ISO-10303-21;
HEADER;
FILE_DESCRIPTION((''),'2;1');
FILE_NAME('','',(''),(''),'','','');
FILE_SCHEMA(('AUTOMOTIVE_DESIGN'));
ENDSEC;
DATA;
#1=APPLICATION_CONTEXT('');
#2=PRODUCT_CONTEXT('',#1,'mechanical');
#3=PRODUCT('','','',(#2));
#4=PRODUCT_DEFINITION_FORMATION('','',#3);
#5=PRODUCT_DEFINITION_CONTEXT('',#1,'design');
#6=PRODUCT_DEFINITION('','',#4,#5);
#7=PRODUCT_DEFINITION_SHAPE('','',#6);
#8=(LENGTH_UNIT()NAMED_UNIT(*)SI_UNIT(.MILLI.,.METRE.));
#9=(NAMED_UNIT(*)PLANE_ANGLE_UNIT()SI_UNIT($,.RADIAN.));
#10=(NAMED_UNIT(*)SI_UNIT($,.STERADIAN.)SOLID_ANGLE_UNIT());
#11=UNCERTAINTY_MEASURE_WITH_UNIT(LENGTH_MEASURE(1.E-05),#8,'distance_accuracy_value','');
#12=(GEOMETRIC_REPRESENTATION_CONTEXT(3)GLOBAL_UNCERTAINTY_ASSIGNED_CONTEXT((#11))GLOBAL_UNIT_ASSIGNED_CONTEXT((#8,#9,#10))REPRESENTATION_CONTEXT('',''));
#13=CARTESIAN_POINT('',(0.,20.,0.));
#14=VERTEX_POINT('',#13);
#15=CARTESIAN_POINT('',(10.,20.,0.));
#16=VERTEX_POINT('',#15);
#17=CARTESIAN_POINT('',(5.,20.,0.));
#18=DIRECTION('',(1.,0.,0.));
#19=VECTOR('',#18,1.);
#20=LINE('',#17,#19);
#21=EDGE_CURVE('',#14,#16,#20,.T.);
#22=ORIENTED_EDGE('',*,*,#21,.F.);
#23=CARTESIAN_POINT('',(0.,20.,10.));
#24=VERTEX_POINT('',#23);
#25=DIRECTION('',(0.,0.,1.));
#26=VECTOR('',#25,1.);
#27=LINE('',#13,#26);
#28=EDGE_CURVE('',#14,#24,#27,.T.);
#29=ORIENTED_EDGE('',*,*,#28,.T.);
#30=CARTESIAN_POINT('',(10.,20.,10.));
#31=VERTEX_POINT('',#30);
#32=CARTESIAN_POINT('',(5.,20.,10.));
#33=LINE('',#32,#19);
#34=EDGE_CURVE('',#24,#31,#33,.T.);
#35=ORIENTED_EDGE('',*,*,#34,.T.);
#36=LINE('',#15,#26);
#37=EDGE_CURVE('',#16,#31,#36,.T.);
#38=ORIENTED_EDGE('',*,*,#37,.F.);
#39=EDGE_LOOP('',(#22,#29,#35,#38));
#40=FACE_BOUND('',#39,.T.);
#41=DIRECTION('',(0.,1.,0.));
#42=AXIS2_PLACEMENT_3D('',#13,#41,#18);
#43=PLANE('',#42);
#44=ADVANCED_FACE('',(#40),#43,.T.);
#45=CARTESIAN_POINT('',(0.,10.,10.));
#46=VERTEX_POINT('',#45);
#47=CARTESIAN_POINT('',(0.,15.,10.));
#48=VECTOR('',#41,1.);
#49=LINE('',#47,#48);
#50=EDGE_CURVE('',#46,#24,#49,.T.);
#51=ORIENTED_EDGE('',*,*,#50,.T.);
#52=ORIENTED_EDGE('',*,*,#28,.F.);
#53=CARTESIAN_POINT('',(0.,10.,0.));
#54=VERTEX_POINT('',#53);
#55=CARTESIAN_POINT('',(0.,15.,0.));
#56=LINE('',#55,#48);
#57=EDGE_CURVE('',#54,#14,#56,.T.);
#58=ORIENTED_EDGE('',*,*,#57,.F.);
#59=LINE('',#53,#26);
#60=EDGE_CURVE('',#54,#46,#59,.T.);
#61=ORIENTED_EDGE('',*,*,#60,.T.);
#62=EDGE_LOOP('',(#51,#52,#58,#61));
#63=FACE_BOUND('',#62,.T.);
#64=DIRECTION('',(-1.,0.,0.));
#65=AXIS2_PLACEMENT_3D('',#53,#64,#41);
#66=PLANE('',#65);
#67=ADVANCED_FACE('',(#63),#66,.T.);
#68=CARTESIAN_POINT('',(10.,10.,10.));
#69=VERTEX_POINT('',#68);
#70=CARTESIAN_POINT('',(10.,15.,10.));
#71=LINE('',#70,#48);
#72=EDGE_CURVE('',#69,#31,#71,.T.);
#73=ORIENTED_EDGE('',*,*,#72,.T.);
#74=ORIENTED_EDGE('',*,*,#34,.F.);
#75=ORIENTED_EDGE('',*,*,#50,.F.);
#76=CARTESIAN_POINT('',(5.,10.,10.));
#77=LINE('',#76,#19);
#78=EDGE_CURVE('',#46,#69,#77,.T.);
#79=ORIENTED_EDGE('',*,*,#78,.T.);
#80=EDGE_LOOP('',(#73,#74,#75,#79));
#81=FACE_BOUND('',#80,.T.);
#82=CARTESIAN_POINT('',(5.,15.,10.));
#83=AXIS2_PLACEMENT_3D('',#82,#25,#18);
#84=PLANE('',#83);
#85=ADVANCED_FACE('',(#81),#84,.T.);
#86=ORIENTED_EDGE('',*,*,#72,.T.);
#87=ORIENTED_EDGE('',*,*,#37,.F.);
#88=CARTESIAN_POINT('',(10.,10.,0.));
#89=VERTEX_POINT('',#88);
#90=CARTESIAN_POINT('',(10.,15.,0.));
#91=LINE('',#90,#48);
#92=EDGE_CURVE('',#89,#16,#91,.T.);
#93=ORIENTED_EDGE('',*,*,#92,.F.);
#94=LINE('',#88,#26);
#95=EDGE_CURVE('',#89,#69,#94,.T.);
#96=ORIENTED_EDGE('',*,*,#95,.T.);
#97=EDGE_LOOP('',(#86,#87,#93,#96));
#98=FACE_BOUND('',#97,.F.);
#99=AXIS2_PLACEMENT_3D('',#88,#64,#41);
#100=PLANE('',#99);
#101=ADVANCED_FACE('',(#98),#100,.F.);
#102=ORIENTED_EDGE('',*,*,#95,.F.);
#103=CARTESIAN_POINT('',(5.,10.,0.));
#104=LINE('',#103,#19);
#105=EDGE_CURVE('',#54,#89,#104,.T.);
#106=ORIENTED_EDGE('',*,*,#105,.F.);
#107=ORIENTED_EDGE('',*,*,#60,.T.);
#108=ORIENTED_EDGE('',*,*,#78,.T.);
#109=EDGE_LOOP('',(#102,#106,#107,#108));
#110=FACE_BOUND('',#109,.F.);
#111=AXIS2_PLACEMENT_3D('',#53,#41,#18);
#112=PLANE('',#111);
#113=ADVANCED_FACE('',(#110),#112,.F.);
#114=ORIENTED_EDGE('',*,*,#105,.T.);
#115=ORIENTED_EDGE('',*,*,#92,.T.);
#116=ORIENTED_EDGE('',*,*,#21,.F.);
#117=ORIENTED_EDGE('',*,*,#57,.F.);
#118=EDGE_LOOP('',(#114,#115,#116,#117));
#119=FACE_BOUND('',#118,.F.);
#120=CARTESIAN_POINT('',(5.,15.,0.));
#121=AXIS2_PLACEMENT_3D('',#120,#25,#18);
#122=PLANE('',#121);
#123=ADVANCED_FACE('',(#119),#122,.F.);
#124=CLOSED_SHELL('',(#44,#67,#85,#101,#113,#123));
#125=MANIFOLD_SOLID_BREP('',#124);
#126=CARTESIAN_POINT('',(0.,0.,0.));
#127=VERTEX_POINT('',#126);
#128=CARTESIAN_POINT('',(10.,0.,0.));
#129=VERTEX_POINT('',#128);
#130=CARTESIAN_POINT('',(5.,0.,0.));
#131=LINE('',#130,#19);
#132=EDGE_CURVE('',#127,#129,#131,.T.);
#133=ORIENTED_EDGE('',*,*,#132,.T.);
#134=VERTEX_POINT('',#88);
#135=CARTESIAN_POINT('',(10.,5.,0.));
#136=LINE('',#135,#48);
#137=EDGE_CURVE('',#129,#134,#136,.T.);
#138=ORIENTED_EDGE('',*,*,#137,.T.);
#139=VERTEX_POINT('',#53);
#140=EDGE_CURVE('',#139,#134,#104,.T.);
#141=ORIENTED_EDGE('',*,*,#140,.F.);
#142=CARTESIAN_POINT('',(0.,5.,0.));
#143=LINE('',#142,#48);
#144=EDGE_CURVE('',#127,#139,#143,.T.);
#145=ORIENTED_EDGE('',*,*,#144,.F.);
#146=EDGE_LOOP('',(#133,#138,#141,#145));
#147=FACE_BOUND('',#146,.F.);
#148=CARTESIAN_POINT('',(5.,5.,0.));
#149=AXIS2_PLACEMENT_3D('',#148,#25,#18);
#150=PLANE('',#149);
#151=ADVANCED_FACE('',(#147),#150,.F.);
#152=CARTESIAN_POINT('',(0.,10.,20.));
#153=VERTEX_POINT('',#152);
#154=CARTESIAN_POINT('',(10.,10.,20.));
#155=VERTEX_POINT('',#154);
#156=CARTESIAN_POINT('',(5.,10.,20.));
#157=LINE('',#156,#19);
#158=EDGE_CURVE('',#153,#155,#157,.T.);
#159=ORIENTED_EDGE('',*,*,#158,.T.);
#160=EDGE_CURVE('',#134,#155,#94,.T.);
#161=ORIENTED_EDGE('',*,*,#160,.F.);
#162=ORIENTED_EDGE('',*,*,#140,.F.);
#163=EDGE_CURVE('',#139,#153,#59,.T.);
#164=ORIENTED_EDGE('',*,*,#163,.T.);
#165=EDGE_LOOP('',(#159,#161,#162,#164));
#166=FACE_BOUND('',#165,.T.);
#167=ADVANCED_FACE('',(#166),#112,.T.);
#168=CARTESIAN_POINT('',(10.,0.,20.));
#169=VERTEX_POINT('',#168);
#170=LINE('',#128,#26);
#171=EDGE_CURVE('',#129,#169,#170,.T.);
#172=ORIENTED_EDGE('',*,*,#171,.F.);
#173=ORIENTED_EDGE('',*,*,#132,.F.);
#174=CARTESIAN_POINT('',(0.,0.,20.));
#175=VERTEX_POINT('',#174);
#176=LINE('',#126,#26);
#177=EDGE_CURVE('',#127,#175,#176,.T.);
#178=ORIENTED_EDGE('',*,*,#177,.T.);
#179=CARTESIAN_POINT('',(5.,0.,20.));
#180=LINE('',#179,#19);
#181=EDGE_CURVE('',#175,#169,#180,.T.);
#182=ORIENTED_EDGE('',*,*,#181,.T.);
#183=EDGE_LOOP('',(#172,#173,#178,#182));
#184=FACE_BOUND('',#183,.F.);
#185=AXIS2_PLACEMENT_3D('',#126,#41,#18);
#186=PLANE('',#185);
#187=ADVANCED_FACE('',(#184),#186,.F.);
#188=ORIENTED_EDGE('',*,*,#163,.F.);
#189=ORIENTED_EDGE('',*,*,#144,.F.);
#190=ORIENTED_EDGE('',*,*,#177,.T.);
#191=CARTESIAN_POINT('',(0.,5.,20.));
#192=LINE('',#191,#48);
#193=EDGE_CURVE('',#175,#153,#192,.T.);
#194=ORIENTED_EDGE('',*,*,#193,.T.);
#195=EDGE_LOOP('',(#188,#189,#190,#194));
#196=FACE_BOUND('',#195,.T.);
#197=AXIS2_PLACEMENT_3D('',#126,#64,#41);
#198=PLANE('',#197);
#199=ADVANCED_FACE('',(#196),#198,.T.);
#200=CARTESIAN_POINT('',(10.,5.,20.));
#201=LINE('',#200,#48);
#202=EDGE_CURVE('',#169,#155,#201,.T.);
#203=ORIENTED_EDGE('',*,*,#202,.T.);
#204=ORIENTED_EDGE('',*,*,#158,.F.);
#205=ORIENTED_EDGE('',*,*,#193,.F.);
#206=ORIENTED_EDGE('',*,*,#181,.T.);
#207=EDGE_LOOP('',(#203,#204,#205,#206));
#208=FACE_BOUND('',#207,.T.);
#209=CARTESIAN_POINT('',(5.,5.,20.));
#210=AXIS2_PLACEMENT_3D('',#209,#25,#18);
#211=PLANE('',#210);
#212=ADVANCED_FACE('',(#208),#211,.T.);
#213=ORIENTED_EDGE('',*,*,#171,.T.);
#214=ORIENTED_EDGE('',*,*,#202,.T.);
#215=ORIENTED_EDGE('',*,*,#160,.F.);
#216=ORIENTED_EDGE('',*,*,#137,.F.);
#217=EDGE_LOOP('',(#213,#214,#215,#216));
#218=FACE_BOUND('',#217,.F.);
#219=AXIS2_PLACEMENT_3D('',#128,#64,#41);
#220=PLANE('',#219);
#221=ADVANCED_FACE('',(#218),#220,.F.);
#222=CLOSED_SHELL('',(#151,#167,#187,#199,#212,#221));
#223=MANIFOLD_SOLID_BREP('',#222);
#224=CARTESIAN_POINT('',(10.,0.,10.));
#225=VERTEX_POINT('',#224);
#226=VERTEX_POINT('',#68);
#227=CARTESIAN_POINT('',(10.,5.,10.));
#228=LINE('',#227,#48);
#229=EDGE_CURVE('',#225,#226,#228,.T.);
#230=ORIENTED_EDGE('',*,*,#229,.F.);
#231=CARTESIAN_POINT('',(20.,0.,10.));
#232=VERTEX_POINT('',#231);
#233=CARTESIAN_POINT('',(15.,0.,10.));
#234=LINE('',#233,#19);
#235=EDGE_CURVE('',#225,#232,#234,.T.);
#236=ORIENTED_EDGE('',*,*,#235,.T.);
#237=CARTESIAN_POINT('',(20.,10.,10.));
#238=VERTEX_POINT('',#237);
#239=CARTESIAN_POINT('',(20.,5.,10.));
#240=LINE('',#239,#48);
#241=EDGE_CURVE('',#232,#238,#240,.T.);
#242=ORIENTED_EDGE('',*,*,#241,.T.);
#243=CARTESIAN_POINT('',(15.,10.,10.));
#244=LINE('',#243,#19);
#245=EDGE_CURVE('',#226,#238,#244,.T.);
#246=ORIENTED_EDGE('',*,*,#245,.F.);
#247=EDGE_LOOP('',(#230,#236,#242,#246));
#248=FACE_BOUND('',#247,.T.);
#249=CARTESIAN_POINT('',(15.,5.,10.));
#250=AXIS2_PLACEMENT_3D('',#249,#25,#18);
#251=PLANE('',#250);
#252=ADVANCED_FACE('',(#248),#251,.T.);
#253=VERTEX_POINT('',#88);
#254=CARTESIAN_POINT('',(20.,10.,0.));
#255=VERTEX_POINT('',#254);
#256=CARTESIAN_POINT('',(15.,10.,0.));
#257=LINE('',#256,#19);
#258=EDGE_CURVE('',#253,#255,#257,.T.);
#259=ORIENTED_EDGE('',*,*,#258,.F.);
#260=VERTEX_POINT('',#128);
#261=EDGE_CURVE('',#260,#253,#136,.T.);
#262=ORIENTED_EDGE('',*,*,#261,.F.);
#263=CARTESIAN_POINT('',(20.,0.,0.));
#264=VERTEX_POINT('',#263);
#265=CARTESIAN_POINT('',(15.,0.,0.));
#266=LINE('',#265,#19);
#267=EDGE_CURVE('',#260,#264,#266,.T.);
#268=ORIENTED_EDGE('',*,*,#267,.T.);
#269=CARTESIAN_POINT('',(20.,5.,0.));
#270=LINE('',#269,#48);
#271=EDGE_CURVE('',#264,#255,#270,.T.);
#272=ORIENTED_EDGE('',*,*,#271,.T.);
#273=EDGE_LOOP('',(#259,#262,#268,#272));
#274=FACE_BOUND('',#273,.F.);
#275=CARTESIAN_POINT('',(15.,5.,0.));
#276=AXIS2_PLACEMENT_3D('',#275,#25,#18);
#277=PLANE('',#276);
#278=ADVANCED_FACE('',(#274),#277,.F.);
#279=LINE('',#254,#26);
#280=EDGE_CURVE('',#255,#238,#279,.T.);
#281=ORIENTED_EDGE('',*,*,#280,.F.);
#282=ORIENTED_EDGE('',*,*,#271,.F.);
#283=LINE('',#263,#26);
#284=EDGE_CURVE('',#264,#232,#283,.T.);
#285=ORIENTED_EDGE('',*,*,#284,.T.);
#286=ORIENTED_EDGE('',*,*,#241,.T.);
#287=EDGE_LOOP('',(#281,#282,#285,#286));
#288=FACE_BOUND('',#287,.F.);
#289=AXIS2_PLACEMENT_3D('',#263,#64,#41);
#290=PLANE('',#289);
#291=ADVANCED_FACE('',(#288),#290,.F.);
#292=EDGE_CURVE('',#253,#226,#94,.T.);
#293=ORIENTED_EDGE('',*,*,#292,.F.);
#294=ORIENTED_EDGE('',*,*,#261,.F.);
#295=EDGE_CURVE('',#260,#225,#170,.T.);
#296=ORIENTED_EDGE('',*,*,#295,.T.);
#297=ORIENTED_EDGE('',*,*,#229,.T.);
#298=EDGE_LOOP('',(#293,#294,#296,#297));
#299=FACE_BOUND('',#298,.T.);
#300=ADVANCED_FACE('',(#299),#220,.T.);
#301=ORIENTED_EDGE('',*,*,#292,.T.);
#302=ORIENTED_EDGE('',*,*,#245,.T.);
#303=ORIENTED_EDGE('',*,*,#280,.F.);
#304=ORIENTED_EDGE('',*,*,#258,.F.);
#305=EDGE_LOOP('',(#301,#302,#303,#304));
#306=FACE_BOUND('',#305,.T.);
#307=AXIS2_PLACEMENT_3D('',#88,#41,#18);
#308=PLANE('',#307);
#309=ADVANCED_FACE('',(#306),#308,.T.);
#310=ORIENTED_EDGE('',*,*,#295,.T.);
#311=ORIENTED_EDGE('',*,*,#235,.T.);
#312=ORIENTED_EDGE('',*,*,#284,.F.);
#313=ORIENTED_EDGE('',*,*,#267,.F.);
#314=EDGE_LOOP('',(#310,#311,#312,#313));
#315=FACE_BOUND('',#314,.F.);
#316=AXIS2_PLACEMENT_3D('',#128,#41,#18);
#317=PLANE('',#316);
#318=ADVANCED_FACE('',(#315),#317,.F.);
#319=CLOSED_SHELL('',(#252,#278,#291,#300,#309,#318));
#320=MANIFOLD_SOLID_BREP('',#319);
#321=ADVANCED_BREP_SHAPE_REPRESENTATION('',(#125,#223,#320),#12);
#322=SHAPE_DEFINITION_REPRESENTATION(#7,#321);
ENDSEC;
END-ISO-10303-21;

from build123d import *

# Parameters (mm, degrees)
BOX_W        = 10
BOX_H        = 10
BOX_DEPTH    = 20
BOX001_W     = 10
BOX001_H     = 10
BOX001_DEPTH = 10
BOX002_W     = 10
BOX002_H     = 10
BOX002_DEPTH = 10


with BuildPart() as cub:
    # Box → Box (new body)
    with BuildSketch(Plane.XY):
        with Locations((5, 5)):
            Rectangle(BOX_W, BOX_H)
    extrude(amount=BOX_DEPTH)


with BuildPart() as cub001:
    # Box001 → Box001 (new body)
    with BuildSketch(Plane(origin=(0, 10, 0), x_dir=(1, 0, 0), z_dir=(0, 0, 1))):
        with Locations((5, 5)):
            Rectangle(BOX001_W, BOX001_H)
    extrude(amount=BOX001_DEPTH)


with BuildPart() as cub002:
    # Box002 → Box002 (new body)
    with BuildSketch(Plane(origin=(10, 0, 0), x_dir=(1, 0, 0), z_dir=(0, 0, 1))):
        with Locations((5, 5)):
            Rectangle(BOX002_W, BOX002_H)
    extrude(amount=BOX002_DEPTH)


solid = Compound([cub.part, cub001.part, cub002.part])
